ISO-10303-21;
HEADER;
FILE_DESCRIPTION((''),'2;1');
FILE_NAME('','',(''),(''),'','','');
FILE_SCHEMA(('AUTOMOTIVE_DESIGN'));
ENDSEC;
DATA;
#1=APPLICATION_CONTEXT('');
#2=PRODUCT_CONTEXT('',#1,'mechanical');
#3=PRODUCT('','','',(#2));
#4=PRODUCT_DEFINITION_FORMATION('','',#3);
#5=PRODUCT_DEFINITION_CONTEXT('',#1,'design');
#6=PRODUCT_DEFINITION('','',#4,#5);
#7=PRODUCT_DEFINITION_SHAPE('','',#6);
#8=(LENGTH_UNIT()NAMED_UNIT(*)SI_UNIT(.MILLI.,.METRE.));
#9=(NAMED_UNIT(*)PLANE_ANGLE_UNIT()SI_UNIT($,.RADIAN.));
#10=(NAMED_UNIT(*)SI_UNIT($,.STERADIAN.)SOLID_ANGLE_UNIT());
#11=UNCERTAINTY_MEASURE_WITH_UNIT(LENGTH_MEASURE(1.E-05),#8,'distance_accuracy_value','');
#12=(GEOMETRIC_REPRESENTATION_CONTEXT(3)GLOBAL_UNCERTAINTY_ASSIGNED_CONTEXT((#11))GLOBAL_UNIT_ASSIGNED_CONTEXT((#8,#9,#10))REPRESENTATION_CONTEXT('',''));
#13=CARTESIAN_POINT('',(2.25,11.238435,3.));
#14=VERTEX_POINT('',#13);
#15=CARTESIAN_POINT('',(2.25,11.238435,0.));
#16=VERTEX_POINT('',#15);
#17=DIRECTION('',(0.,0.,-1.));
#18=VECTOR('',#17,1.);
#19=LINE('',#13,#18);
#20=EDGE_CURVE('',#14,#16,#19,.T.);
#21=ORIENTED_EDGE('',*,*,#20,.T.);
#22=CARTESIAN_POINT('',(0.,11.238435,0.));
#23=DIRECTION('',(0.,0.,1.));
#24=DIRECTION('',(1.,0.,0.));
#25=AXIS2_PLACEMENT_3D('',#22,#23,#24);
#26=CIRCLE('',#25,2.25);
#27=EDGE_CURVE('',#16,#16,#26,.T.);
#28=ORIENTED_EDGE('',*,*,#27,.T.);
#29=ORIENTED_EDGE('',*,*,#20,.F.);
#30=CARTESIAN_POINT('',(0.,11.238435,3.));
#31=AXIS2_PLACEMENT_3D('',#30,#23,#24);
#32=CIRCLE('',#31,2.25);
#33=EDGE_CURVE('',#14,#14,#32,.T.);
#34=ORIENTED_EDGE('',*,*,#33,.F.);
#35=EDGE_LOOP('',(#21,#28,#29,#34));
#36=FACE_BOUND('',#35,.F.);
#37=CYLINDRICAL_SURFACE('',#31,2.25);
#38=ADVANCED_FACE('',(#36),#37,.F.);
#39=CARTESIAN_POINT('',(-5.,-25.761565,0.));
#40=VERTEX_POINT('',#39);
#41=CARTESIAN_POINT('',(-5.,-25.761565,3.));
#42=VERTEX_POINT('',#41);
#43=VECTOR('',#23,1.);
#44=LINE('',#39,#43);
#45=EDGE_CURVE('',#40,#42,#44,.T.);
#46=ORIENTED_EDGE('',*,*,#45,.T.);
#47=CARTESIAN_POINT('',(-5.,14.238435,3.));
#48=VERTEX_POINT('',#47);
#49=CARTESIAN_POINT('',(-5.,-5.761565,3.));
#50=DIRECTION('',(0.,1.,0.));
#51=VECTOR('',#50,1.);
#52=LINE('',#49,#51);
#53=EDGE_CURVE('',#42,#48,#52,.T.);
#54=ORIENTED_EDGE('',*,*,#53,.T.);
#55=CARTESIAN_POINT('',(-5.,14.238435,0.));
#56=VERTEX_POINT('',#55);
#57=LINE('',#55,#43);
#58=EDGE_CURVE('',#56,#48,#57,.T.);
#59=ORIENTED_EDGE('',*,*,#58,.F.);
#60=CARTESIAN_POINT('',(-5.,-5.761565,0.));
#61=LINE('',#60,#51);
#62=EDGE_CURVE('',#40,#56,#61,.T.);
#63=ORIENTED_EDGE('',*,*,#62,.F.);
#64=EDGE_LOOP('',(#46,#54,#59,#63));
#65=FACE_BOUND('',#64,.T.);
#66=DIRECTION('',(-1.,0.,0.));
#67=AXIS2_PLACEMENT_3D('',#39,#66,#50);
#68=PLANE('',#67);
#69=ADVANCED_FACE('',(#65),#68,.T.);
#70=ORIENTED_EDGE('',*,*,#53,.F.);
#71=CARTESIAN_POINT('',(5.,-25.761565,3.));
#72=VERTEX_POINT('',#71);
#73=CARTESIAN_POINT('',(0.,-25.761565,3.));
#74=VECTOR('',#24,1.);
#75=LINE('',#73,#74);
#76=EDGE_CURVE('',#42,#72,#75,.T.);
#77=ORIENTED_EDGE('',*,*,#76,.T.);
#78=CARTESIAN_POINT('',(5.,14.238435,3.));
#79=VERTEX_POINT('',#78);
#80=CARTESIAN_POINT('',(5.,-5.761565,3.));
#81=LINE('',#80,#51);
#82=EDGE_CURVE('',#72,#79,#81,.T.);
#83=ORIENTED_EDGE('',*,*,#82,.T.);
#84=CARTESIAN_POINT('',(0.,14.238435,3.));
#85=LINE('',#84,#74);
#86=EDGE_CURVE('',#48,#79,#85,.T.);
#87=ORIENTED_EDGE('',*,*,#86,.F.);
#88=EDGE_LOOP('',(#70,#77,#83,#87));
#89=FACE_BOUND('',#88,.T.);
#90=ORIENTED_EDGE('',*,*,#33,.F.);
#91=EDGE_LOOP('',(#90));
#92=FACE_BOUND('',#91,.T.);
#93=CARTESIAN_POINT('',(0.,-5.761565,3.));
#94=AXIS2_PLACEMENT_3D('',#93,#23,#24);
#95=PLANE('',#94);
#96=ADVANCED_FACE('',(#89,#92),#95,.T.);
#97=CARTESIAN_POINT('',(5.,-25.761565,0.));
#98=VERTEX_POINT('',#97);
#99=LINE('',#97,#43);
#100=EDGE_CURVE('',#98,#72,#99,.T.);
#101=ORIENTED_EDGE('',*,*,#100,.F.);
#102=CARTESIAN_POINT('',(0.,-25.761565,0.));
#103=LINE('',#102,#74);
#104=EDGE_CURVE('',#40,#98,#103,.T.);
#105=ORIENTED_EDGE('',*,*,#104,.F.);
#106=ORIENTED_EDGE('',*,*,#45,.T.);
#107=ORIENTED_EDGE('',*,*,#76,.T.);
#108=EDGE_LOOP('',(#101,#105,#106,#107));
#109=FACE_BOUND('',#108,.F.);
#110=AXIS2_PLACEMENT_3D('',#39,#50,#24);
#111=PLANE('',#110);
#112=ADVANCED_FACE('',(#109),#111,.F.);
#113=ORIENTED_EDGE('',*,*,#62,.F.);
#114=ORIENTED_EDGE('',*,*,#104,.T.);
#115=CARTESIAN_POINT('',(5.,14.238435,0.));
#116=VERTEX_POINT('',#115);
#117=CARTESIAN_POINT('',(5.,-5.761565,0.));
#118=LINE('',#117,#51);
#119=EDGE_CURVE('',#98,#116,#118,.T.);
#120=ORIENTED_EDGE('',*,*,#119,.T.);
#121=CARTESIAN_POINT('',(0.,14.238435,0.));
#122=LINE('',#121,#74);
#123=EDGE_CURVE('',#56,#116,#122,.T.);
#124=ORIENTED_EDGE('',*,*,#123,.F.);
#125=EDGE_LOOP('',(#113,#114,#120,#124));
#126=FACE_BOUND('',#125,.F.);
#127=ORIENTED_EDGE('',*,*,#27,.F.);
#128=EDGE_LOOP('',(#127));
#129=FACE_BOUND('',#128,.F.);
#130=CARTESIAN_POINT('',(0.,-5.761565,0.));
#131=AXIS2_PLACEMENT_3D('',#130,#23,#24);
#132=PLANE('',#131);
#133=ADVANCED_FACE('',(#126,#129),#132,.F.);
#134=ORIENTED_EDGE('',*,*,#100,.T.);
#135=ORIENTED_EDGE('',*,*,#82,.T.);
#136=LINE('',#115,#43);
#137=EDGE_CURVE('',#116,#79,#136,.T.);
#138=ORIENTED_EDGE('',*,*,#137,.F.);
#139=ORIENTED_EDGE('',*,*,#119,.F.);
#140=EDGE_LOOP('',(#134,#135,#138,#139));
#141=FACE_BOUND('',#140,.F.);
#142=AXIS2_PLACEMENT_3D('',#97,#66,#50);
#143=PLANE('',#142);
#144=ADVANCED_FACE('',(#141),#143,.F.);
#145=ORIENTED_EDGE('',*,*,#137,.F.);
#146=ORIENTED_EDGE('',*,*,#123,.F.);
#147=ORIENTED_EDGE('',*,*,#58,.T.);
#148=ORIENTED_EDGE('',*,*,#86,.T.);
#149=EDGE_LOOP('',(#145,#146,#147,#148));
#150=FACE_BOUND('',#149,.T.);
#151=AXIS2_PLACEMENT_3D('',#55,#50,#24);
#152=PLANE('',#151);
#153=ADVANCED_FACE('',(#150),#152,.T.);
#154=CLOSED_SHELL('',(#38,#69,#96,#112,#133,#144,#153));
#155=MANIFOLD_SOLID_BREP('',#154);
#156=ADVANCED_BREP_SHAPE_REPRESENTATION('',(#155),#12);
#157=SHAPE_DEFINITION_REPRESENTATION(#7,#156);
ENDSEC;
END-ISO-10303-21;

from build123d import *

# Parameters (mm, degrees)
SKETCH_W     = 10
SKETCH_H     = 40
PAD_DEPTH    = 3
SKETCH001_R  = 2.25
POCKET_DEPTH = 5


with BuildPart() as part:
    # Sketch → Pad (new body)
    with BuildSketch(Plane.XY):
        with Locations((0, -5.761565)):
            Rectangle(SKETCH_W, SKETCH_H)
    extrude(amount=PAD_DEPTH)

    # Sketch001 (on Face6 of Pad) → Pocket (cut)
    with BuildSketch(Plane.XY.offset(3)):
        with Locations((0, 11.238435)):
            Circle(SKETCH001_R)
    extrude(amount=-POCKET_DEPTH, mode=Mode.SUBTRACT)


solid = part.part
